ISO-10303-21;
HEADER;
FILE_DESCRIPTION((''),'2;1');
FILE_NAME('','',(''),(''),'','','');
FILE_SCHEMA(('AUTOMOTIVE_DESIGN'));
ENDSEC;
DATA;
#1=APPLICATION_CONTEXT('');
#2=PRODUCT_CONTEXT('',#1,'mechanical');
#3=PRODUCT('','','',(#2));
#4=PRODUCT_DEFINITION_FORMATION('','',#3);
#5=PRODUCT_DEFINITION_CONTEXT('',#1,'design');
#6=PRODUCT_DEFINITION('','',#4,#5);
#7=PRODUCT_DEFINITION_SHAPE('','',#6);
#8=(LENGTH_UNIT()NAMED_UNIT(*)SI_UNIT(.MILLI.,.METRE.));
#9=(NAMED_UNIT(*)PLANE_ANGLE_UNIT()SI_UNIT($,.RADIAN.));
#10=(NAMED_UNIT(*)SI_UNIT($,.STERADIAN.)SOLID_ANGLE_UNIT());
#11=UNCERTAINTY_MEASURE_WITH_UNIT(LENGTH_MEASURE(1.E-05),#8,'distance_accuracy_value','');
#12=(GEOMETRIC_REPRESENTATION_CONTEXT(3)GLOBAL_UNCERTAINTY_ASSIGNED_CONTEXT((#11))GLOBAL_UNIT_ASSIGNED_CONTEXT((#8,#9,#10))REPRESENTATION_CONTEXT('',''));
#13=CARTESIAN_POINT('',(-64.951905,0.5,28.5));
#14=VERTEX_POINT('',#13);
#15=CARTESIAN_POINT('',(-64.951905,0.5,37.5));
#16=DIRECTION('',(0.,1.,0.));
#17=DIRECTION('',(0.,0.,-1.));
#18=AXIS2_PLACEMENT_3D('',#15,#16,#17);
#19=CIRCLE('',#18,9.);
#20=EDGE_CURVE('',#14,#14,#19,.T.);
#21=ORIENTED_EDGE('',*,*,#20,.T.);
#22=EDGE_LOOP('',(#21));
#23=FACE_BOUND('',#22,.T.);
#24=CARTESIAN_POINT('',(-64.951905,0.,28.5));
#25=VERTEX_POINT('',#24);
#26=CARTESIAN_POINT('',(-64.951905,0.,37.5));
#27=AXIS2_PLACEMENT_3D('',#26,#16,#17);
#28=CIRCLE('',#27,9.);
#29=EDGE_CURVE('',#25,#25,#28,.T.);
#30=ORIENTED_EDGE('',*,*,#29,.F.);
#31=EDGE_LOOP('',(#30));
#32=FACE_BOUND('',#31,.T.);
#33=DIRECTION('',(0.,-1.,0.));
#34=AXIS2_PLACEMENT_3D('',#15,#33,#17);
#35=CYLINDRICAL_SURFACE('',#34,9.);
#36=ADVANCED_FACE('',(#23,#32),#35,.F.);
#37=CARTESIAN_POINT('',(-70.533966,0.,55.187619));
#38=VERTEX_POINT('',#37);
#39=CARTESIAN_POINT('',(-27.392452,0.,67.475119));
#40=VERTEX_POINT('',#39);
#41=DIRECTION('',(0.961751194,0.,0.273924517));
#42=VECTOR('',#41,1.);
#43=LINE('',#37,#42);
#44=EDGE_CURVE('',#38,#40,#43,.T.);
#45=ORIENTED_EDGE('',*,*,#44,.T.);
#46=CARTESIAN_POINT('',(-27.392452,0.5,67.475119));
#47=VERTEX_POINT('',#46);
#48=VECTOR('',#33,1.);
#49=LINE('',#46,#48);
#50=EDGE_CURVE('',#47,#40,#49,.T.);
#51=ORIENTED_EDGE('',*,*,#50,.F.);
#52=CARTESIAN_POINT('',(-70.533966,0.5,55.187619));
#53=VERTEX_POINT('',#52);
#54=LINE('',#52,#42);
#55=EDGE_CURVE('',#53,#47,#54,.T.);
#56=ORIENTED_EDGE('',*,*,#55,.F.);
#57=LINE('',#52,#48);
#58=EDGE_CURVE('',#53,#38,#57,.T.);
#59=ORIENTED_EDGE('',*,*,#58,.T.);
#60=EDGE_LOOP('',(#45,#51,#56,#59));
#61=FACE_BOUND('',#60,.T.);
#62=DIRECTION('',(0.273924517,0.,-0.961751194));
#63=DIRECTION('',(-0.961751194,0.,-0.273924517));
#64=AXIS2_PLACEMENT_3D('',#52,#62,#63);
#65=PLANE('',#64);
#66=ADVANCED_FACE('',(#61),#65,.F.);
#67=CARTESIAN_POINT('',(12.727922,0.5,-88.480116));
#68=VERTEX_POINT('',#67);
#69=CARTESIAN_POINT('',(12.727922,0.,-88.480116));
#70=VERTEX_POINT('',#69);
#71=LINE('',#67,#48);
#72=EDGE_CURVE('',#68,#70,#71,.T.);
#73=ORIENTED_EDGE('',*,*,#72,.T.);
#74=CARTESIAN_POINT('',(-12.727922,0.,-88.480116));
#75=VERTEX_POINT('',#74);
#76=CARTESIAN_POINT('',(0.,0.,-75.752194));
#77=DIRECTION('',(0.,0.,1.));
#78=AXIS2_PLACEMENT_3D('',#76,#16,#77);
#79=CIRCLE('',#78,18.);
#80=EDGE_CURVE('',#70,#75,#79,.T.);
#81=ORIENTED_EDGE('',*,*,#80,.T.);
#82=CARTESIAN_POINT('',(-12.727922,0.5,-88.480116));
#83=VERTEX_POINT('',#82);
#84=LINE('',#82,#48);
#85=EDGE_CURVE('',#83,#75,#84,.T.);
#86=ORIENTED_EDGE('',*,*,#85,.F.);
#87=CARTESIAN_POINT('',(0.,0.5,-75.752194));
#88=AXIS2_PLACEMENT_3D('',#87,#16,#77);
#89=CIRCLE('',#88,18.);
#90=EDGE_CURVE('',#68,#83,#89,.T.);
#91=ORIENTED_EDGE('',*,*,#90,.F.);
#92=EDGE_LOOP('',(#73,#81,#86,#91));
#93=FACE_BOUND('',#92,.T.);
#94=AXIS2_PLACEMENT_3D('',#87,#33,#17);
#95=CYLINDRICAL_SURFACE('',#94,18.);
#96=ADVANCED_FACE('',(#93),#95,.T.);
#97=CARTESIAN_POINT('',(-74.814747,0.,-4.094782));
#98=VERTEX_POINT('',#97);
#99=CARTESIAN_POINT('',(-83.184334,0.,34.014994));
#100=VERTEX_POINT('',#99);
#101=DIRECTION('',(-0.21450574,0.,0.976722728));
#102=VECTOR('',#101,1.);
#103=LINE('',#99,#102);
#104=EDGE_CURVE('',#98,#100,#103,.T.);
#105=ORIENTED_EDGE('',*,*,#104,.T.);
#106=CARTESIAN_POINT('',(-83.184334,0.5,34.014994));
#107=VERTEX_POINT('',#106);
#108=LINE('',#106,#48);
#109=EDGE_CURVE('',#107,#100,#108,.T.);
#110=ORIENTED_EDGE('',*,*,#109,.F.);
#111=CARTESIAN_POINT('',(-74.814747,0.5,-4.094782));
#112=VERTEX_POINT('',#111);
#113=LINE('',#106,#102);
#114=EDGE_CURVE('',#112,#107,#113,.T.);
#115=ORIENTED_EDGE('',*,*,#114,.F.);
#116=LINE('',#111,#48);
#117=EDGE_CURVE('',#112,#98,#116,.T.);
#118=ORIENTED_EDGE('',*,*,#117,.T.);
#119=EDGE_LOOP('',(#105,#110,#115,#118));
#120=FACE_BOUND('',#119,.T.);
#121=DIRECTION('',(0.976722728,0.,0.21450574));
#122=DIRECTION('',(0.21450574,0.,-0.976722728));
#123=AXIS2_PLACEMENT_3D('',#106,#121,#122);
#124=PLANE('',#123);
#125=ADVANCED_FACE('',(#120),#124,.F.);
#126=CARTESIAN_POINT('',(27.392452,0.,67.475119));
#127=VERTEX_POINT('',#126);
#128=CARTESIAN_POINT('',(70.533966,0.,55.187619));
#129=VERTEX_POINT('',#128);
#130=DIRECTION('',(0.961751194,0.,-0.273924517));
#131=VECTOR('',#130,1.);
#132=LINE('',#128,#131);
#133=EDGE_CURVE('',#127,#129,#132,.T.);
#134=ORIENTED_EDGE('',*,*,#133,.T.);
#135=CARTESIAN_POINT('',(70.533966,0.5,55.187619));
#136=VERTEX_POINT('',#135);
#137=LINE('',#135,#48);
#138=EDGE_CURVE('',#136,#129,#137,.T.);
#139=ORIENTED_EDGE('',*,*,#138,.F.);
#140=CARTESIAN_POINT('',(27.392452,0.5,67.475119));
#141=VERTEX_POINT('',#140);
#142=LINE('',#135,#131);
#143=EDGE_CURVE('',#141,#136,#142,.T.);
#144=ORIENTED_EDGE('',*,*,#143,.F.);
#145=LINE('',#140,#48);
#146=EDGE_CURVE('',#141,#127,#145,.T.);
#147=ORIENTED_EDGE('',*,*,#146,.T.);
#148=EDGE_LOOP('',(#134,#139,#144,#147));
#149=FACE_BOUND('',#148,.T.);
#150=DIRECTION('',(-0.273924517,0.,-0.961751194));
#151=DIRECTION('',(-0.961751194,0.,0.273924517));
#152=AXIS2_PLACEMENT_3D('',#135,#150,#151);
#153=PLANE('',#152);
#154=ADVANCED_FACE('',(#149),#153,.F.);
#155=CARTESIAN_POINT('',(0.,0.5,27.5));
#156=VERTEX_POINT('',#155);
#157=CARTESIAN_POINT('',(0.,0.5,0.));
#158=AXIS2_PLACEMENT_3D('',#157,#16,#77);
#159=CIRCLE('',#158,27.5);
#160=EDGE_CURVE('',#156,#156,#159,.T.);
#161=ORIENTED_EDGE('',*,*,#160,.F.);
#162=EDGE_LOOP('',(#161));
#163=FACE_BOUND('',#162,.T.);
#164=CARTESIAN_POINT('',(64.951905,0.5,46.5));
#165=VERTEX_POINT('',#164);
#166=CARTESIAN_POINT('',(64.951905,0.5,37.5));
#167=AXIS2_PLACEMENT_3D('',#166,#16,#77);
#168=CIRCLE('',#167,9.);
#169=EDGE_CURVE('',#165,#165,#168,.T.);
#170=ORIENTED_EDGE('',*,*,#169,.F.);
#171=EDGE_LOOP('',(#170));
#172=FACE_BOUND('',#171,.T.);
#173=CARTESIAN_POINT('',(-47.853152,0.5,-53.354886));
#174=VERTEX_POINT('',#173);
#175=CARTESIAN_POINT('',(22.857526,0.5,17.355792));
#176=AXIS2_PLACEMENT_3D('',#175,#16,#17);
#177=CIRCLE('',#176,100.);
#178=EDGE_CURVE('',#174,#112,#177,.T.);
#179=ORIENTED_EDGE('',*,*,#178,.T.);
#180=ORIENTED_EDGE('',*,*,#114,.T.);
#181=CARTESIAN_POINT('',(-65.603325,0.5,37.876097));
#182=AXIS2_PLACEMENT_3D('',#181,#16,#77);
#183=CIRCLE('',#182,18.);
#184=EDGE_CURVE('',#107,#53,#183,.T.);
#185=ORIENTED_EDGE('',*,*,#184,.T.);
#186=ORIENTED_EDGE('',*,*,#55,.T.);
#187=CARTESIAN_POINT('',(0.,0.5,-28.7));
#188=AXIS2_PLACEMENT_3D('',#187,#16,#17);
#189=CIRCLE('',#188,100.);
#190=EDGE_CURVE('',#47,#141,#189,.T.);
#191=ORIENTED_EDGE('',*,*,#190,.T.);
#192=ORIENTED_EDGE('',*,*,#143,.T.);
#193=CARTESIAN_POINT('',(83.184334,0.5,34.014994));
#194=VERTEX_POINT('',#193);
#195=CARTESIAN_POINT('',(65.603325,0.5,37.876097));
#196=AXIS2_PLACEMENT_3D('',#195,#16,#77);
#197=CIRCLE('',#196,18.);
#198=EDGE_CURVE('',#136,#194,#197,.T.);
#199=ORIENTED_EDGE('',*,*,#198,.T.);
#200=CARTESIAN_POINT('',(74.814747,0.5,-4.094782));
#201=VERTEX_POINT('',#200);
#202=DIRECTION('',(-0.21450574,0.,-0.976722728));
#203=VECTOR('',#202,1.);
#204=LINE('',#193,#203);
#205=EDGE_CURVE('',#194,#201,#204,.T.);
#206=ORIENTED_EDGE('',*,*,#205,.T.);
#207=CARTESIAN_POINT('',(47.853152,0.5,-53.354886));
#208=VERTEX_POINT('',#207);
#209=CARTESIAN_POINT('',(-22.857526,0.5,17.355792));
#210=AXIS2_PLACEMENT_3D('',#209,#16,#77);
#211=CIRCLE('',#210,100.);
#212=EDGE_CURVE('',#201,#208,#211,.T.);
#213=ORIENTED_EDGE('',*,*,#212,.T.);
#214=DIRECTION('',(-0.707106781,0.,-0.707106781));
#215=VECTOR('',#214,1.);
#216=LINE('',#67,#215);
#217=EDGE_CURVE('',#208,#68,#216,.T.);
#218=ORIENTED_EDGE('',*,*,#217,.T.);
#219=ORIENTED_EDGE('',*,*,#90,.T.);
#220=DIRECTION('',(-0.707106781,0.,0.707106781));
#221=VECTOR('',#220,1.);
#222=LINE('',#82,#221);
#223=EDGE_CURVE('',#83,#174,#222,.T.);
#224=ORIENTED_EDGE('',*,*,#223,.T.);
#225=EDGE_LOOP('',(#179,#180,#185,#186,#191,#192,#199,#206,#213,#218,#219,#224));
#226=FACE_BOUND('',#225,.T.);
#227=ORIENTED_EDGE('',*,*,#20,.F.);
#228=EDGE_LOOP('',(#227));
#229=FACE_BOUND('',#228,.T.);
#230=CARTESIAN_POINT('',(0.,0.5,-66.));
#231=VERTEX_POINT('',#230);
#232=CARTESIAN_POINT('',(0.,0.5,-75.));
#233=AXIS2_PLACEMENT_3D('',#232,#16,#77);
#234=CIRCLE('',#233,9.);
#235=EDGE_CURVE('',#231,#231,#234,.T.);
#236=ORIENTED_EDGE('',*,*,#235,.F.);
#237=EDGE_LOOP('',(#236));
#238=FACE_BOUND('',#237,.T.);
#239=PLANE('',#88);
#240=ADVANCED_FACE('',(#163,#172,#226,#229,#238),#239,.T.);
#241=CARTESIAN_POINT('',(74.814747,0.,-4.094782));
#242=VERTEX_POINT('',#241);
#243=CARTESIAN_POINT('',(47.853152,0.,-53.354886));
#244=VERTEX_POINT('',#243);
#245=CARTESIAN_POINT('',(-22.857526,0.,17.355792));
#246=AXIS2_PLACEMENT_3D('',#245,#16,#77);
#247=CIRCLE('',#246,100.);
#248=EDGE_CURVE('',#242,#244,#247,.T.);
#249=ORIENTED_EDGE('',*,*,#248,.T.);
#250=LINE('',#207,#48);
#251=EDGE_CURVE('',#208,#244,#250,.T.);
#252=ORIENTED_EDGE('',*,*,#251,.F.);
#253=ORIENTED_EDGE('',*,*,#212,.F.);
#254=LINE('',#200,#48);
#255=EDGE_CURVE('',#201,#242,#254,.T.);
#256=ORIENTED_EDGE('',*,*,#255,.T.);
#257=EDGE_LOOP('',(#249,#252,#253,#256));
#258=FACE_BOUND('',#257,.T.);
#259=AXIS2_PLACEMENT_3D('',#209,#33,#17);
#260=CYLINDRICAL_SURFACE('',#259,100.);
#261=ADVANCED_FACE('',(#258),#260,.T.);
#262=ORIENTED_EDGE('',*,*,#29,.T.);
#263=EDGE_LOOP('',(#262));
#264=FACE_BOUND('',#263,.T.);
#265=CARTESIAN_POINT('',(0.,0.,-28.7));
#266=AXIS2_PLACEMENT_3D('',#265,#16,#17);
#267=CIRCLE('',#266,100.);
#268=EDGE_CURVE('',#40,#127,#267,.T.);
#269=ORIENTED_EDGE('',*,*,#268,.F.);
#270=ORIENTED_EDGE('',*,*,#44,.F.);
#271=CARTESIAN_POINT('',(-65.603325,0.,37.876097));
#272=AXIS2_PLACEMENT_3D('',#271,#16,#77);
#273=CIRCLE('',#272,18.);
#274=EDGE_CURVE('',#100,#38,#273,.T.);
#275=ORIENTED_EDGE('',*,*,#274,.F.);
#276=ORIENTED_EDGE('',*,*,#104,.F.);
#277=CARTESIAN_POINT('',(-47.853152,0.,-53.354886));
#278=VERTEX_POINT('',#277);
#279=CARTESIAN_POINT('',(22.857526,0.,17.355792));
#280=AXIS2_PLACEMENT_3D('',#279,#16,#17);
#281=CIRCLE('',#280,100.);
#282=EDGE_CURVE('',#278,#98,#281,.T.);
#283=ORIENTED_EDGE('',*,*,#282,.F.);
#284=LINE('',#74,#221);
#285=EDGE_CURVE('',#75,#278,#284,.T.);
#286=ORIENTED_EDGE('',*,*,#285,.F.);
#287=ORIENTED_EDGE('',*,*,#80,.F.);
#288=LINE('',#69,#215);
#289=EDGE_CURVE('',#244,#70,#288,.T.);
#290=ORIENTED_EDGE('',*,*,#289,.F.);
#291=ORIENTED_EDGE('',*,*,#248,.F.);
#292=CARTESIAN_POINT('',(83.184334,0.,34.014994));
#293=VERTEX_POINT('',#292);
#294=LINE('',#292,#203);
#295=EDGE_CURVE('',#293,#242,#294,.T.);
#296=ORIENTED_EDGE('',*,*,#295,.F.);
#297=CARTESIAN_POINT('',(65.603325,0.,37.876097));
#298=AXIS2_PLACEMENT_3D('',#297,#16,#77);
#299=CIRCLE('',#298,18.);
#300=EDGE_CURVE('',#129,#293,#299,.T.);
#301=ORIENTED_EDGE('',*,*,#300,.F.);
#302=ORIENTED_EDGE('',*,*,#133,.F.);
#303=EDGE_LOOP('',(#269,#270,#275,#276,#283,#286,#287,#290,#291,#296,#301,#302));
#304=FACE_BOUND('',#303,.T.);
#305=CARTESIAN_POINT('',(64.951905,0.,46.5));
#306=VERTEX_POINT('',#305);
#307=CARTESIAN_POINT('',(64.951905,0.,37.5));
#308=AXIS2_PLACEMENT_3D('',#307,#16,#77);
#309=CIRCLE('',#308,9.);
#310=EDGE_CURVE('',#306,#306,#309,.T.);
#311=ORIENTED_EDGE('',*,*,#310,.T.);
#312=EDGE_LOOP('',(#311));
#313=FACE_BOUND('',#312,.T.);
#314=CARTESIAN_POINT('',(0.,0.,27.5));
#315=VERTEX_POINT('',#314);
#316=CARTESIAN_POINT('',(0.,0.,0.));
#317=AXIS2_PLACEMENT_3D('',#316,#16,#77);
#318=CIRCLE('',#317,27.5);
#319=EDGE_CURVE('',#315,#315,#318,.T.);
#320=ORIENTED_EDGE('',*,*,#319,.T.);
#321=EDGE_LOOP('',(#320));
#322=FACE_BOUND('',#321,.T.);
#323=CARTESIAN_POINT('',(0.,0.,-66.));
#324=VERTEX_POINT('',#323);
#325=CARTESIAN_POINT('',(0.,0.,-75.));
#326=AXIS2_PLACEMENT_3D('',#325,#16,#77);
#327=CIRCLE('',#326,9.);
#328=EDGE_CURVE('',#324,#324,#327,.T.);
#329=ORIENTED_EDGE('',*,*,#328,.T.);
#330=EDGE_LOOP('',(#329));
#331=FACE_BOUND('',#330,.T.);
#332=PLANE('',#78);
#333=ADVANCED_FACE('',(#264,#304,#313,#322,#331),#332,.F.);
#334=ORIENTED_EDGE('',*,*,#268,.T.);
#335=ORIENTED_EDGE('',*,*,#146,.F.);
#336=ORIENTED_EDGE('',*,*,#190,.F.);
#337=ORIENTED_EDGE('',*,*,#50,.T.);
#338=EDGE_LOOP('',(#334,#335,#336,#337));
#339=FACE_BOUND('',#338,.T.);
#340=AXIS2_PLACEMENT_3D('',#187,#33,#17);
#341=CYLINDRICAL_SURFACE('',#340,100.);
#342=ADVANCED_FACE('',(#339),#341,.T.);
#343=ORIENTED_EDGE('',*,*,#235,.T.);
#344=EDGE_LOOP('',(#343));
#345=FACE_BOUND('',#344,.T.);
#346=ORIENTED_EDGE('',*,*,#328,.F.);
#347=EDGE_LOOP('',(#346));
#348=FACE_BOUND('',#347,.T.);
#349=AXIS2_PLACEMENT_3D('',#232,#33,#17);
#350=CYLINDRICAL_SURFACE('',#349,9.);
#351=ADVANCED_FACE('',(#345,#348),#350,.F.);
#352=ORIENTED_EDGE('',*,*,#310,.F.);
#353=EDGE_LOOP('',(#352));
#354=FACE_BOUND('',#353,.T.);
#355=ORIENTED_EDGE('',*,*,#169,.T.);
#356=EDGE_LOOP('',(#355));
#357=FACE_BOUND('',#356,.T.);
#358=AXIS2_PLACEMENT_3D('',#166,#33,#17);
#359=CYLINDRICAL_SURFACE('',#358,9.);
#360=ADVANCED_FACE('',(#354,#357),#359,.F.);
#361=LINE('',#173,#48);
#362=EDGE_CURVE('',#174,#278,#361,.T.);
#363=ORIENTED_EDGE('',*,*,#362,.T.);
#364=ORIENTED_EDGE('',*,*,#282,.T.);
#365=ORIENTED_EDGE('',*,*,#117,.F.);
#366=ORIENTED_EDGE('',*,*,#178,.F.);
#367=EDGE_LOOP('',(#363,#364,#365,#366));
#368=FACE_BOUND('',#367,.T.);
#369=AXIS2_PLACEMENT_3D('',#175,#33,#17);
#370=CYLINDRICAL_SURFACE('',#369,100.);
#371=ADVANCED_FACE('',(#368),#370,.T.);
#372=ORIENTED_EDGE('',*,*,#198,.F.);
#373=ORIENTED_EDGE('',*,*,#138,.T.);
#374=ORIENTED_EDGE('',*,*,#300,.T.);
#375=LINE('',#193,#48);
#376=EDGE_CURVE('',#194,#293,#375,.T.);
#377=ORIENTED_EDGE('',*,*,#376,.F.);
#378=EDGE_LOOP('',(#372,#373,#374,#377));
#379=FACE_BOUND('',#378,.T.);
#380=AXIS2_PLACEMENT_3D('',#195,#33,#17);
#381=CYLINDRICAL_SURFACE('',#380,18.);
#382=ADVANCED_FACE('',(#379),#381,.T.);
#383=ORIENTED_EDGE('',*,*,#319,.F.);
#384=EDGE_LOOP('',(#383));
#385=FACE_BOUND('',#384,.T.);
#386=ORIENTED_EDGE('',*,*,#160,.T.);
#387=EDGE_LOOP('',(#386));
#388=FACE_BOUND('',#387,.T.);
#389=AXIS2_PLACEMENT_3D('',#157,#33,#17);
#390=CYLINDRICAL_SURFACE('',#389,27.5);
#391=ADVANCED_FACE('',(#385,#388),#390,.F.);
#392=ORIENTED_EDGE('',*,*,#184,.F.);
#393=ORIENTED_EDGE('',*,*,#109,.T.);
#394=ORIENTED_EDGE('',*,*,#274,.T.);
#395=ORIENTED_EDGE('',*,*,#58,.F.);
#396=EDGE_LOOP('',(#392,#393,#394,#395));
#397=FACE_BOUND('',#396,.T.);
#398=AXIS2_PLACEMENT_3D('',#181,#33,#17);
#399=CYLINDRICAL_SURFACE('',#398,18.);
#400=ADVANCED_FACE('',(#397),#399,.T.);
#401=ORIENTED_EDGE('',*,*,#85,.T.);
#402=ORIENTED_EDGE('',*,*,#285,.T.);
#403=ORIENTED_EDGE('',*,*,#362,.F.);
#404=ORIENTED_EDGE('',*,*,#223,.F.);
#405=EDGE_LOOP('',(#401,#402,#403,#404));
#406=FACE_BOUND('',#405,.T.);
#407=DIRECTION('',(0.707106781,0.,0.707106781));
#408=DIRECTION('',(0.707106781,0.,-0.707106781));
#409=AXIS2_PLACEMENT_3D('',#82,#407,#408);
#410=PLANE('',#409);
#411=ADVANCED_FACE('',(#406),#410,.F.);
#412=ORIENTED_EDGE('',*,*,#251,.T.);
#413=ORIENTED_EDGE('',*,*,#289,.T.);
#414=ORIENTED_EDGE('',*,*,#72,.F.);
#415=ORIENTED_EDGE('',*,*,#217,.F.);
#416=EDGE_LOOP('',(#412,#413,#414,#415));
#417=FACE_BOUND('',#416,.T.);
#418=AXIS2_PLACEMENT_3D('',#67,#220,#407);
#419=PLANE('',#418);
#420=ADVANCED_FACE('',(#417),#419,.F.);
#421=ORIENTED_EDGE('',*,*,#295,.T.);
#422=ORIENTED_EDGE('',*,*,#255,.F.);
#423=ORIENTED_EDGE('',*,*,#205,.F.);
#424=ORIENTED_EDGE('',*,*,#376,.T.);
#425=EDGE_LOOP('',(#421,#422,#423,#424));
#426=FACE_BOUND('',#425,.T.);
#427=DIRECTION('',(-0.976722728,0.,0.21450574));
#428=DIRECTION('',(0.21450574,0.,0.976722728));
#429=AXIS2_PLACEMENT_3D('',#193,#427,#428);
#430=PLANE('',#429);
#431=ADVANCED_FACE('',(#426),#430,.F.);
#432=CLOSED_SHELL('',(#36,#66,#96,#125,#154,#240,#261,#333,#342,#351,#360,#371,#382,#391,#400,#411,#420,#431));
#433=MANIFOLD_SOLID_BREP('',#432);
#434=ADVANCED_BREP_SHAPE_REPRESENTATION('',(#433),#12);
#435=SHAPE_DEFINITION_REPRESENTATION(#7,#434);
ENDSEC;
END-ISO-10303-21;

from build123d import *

# Parameters (mm, degrees)
SKETCH1_R           = 9
SKETCH1_R_2         = 27.5
BOSS_EXTRUDE1_DEPTH = 0.5


with BuildPart() as part:
    # Sketch1 → Boss-Extrude1 (new body)
    with BuildSketch(Plane(origin=(0, 0, 0), x_dir=(1, 0, 0), z_dir=(0, 1, 0))):
        with BuildLine():
            Line((83.18433382, -34.014993866), (74.814746992, 4.094782055))
            ThreePointArc((74.814746992, 4.094782055), (64.862734133, 30.656248168), (47.853152302, 53.354886188))
            Line((47.853152302, 53.354886188), (12.727922061, 88.480116429))
            ThreePointArc((12.727922061, 88.480116429), (0, 93.752194367), (-12.727922061, 88.480116429))
            Line((-12.727922061, 88.480116429), (-47.853152302, 53.354886188))
            ThreePointArc((-47.853152302, 53.354886188), (-64.862734133, 30.656248168), (-74.814746992, 4.094782055))
            Line((-74.814746992, 4.094782055), (-83.18433382, -34.014993866))
            ThreePointArc((-83.18433382, -34.014993866), (-81.055302304, -47.108452711), (-70.533966025, -55.187618673))
            Line((-70.533966025, -55.187618673), (-27.392451725, -67.475119384))
            ThreePointArc((-27.392451725, -67.475119384), (0, -71.3), (27.392451725, -67.475119384))
            Line((27.392451725, -67.475119384), (70.533966025, -55.187618673))
            ThreePointArc((70.533966025, -55.187618673), (81.055302304, -47.108452711), (83.18433382, -34.014993866))
        make_face()
        with Locations(Location((64.951905284, -37.5, 0), (0, 0, 270))):
            Circle(SKETCH1_R, mode=Mode.SUBTRACT)
        with Locations(Location((-64.951905284, -37.5, 0), (0, 0, 90))):
            Circle(SKETCH1_R, mode=Mode.SUBTRACT)
        with Locations(Location((0, 75, 0), (0, 0, 270))):
            Circle(SKETCH1_R, mode=Mode.SUBTRACT)
        with Locations(Location((0, 0, 0), (0, 0, 270))):
            Circle(SKETCH1_R_2, mode=Mode.SUBTRACT)
    extrude(amount=BOSS_EXTRUDE1_DEPTH)


solid = part.part
